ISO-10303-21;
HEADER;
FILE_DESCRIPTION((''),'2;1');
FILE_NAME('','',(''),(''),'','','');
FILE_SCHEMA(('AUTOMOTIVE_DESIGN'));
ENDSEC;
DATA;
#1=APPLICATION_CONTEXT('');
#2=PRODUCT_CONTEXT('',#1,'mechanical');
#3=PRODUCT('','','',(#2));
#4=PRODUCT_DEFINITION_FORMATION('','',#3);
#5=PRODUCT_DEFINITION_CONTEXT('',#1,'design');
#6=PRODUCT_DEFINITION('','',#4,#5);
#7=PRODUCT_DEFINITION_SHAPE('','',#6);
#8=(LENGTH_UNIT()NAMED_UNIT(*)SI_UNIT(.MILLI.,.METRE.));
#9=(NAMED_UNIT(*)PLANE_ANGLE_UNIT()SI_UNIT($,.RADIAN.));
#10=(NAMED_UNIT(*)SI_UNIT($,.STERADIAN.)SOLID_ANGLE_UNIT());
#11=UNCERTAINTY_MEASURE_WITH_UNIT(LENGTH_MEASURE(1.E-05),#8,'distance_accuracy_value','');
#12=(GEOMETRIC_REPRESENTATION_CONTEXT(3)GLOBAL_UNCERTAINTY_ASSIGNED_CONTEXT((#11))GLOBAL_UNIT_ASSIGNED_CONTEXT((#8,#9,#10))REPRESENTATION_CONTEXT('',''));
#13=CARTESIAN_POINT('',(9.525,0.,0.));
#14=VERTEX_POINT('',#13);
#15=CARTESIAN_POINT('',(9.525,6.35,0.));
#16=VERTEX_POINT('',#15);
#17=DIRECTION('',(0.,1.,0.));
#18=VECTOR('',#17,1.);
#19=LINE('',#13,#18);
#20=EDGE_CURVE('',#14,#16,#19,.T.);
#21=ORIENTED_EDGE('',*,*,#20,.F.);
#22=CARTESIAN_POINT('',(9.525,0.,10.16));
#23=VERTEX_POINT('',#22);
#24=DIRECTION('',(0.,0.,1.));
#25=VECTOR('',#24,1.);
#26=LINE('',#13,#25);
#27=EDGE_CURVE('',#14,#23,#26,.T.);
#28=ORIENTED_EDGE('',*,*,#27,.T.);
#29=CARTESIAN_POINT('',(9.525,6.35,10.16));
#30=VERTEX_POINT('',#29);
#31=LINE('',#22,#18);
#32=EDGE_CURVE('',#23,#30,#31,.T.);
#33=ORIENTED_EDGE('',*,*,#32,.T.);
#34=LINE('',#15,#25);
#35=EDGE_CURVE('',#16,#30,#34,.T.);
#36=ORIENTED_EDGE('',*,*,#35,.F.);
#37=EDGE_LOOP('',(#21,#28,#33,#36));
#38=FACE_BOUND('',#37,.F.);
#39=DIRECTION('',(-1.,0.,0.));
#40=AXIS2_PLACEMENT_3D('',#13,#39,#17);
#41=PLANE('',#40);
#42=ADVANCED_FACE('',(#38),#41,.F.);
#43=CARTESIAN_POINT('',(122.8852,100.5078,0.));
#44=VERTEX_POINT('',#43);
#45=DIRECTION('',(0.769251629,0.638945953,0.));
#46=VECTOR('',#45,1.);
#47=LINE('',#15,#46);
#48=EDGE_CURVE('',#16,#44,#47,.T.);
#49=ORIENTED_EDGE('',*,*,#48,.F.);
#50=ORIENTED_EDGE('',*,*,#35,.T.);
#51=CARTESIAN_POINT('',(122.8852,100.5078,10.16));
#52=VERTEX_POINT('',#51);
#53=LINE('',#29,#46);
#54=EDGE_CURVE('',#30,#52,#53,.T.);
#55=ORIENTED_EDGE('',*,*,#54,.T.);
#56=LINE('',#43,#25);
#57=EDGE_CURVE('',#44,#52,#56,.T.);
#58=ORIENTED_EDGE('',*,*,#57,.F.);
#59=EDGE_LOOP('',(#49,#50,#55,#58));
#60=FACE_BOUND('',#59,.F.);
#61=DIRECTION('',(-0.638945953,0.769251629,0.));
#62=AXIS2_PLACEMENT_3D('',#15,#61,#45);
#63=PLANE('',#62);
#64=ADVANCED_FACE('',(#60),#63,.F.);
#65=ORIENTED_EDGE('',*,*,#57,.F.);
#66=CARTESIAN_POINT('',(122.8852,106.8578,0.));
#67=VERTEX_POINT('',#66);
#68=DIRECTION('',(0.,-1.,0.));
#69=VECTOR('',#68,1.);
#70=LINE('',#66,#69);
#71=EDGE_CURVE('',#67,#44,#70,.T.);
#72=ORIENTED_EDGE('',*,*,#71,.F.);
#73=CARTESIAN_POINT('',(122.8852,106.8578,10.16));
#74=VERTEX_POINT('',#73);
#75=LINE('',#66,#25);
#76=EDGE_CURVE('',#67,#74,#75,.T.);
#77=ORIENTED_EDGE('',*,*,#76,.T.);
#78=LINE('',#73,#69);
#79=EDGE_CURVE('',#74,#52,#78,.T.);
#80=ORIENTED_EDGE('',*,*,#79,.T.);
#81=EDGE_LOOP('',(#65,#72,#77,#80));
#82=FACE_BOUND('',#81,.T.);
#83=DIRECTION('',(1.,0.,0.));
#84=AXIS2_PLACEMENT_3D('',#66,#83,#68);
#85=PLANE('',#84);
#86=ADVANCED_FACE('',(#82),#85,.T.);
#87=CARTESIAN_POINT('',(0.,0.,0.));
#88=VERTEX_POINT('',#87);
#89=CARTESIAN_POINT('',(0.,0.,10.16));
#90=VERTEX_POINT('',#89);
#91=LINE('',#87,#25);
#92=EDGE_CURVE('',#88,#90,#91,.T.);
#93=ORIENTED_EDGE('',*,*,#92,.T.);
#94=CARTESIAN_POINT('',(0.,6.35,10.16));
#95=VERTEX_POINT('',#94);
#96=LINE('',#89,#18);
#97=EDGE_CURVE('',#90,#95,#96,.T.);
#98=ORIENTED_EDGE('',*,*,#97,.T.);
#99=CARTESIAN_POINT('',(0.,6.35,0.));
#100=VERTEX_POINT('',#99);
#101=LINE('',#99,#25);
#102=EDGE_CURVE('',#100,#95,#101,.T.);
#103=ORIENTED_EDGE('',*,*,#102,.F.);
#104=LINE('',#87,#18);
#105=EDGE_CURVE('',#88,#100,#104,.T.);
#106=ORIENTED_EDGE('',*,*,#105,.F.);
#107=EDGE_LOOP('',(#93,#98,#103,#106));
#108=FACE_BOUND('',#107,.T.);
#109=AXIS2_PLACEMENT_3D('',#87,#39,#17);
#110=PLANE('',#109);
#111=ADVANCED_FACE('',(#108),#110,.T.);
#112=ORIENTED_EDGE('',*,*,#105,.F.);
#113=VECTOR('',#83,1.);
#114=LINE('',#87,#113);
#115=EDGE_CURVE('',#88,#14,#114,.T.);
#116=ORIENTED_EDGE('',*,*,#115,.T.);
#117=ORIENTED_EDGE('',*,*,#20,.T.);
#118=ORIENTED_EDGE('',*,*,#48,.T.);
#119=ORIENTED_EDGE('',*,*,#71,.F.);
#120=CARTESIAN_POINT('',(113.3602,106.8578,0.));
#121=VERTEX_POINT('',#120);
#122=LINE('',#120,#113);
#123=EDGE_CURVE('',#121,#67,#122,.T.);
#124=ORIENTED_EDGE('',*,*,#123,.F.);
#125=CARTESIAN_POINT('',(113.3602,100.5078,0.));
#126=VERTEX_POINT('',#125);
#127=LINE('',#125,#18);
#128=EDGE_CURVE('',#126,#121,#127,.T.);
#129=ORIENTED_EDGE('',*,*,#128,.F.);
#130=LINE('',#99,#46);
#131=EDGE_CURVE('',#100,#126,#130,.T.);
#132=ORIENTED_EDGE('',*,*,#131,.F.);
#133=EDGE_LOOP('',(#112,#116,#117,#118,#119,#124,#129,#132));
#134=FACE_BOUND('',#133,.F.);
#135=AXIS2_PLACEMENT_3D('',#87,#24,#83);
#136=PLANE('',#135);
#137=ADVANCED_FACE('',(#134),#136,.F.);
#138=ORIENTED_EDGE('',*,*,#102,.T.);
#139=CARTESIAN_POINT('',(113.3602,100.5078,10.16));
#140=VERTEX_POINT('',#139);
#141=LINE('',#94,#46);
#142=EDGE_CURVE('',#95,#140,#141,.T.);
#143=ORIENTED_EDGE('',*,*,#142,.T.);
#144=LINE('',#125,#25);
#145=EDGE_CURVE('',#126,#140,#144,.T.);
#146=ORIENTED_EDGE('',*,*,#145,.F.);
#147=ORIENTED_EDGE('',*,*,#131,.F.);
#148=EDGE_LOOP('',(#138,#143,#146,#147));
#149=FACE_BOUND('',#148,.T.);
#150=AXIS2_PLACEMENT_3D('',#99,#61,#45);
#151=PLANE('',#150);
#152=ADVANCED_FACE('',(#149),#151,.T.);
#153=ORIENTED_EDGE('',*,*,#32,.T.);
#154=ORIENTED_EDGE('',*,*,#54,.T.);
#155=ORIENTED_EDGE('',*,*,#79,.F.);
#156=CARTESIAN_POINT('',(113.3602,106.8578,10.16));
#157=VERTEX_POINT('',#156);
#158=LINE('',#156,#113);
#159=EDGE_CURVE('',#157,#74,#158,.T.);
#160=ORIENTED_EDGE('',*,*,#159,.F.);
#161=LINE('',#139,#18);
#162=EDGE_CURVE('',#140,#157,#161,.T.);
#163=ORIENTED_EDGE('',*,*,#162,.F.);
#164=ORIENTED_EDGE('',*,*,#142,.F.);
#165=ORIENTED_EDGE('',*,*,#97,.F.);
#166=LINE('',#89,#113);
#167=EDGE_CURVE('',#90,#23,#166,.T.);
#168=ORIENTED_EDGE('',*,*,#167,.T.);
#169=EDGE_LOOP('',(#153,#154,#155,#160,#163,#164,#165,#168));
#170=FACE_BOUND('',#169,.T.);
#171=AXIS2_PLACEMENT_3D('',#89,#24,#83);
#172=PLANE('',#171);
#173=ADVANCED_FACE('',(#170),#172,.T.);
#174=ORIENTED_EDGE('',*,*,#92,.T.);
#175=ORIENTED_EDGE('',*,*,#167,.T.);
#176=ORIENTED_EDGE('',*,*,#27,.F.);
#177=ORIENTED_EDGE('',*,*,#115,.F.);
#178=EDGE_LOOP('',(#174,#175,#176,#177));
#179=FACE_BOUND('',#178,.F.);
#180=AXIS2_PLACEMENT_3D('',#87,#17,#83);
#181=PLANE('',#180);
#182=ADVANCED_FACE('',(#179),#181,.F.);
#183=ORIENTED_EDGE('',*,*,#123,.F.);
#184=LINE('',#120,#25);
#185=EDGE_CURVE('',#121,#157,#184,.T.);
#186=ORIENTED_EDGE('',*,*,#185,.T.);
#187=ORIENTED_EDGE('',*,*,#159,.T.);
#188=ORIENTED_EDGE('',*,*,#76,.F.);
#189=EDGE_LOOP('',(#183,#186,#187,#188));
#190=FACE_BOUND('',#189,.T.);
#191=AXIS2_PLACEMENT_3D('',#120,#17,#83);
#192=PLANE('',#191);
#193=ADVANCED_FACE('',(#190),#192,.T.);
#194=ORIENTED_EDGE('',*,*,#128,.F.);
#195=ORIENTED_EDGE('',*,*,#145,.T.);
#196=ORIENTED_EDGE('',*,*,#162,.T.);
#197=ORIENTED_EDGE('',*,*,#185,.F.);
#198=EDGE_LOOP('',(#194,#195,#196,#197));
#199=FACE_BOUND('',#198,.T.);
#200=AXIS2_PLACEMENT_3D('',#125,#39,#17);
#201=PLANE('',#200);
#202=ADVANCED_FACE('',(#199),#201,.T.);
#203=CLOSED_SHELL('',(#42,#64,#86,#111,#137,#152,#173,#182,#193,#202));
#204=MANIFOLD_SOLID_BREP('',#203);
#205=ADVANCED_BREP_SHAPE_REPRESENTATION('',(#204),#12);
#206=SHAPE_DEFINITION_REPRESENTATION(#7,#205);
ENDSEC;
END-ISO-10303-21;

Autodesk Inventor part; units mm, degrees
ref_plane "YZ Plane" through (0, 0, 0) normal (1, 0, 0) x (0, 1, 0)
ref_plane "XZ Plane" through (0, 0, 0) normal (0, 1, 0) x (-1, 0, 0)
ref_plane "XY Plane" through (0, 0, 0) normal (0, 0, 1) x (1, 0, 0)
sketch "Sketch1" plane through (0, 0, 0) normal (0, 0, 1) x (1, 0, 0)
  line L0 (0, 0) -> (9.525, 0)
  line L1 (9.525, 0) -> (9.525, 6.35)
  line L2 (0, 0) -> (0, 6.35)
  line L3 (113.3602, 100.5078) -> (113.3602, 106.8578)
  line L4 (113.3602, 106.8578) -> (122.8852, 106.8578)
  line L5 (122.8852, 106.8578) -> (122.8852, 100.5078)
  line L6 (9.525, 6.35) -> (122.8852, 100.5078)
  line L7 (0, 6.35) -> (113.3602, 100.5078)
  dimension "d0" = 9.525
  dimension "d1" = 6.35
  dimension "d2" = 6.35
  dimension "d3" = 9.525
  dimension "d4" = 103.8352
  dimension "d6" = 6.35
  dimension "d10" = 6.35
  dimension "d11" = 94.1578
extrude "Extrusion1" add sketch "Sketch1" along normal blind 10.16
properties part number "1Pieceshortsupport_v1"
